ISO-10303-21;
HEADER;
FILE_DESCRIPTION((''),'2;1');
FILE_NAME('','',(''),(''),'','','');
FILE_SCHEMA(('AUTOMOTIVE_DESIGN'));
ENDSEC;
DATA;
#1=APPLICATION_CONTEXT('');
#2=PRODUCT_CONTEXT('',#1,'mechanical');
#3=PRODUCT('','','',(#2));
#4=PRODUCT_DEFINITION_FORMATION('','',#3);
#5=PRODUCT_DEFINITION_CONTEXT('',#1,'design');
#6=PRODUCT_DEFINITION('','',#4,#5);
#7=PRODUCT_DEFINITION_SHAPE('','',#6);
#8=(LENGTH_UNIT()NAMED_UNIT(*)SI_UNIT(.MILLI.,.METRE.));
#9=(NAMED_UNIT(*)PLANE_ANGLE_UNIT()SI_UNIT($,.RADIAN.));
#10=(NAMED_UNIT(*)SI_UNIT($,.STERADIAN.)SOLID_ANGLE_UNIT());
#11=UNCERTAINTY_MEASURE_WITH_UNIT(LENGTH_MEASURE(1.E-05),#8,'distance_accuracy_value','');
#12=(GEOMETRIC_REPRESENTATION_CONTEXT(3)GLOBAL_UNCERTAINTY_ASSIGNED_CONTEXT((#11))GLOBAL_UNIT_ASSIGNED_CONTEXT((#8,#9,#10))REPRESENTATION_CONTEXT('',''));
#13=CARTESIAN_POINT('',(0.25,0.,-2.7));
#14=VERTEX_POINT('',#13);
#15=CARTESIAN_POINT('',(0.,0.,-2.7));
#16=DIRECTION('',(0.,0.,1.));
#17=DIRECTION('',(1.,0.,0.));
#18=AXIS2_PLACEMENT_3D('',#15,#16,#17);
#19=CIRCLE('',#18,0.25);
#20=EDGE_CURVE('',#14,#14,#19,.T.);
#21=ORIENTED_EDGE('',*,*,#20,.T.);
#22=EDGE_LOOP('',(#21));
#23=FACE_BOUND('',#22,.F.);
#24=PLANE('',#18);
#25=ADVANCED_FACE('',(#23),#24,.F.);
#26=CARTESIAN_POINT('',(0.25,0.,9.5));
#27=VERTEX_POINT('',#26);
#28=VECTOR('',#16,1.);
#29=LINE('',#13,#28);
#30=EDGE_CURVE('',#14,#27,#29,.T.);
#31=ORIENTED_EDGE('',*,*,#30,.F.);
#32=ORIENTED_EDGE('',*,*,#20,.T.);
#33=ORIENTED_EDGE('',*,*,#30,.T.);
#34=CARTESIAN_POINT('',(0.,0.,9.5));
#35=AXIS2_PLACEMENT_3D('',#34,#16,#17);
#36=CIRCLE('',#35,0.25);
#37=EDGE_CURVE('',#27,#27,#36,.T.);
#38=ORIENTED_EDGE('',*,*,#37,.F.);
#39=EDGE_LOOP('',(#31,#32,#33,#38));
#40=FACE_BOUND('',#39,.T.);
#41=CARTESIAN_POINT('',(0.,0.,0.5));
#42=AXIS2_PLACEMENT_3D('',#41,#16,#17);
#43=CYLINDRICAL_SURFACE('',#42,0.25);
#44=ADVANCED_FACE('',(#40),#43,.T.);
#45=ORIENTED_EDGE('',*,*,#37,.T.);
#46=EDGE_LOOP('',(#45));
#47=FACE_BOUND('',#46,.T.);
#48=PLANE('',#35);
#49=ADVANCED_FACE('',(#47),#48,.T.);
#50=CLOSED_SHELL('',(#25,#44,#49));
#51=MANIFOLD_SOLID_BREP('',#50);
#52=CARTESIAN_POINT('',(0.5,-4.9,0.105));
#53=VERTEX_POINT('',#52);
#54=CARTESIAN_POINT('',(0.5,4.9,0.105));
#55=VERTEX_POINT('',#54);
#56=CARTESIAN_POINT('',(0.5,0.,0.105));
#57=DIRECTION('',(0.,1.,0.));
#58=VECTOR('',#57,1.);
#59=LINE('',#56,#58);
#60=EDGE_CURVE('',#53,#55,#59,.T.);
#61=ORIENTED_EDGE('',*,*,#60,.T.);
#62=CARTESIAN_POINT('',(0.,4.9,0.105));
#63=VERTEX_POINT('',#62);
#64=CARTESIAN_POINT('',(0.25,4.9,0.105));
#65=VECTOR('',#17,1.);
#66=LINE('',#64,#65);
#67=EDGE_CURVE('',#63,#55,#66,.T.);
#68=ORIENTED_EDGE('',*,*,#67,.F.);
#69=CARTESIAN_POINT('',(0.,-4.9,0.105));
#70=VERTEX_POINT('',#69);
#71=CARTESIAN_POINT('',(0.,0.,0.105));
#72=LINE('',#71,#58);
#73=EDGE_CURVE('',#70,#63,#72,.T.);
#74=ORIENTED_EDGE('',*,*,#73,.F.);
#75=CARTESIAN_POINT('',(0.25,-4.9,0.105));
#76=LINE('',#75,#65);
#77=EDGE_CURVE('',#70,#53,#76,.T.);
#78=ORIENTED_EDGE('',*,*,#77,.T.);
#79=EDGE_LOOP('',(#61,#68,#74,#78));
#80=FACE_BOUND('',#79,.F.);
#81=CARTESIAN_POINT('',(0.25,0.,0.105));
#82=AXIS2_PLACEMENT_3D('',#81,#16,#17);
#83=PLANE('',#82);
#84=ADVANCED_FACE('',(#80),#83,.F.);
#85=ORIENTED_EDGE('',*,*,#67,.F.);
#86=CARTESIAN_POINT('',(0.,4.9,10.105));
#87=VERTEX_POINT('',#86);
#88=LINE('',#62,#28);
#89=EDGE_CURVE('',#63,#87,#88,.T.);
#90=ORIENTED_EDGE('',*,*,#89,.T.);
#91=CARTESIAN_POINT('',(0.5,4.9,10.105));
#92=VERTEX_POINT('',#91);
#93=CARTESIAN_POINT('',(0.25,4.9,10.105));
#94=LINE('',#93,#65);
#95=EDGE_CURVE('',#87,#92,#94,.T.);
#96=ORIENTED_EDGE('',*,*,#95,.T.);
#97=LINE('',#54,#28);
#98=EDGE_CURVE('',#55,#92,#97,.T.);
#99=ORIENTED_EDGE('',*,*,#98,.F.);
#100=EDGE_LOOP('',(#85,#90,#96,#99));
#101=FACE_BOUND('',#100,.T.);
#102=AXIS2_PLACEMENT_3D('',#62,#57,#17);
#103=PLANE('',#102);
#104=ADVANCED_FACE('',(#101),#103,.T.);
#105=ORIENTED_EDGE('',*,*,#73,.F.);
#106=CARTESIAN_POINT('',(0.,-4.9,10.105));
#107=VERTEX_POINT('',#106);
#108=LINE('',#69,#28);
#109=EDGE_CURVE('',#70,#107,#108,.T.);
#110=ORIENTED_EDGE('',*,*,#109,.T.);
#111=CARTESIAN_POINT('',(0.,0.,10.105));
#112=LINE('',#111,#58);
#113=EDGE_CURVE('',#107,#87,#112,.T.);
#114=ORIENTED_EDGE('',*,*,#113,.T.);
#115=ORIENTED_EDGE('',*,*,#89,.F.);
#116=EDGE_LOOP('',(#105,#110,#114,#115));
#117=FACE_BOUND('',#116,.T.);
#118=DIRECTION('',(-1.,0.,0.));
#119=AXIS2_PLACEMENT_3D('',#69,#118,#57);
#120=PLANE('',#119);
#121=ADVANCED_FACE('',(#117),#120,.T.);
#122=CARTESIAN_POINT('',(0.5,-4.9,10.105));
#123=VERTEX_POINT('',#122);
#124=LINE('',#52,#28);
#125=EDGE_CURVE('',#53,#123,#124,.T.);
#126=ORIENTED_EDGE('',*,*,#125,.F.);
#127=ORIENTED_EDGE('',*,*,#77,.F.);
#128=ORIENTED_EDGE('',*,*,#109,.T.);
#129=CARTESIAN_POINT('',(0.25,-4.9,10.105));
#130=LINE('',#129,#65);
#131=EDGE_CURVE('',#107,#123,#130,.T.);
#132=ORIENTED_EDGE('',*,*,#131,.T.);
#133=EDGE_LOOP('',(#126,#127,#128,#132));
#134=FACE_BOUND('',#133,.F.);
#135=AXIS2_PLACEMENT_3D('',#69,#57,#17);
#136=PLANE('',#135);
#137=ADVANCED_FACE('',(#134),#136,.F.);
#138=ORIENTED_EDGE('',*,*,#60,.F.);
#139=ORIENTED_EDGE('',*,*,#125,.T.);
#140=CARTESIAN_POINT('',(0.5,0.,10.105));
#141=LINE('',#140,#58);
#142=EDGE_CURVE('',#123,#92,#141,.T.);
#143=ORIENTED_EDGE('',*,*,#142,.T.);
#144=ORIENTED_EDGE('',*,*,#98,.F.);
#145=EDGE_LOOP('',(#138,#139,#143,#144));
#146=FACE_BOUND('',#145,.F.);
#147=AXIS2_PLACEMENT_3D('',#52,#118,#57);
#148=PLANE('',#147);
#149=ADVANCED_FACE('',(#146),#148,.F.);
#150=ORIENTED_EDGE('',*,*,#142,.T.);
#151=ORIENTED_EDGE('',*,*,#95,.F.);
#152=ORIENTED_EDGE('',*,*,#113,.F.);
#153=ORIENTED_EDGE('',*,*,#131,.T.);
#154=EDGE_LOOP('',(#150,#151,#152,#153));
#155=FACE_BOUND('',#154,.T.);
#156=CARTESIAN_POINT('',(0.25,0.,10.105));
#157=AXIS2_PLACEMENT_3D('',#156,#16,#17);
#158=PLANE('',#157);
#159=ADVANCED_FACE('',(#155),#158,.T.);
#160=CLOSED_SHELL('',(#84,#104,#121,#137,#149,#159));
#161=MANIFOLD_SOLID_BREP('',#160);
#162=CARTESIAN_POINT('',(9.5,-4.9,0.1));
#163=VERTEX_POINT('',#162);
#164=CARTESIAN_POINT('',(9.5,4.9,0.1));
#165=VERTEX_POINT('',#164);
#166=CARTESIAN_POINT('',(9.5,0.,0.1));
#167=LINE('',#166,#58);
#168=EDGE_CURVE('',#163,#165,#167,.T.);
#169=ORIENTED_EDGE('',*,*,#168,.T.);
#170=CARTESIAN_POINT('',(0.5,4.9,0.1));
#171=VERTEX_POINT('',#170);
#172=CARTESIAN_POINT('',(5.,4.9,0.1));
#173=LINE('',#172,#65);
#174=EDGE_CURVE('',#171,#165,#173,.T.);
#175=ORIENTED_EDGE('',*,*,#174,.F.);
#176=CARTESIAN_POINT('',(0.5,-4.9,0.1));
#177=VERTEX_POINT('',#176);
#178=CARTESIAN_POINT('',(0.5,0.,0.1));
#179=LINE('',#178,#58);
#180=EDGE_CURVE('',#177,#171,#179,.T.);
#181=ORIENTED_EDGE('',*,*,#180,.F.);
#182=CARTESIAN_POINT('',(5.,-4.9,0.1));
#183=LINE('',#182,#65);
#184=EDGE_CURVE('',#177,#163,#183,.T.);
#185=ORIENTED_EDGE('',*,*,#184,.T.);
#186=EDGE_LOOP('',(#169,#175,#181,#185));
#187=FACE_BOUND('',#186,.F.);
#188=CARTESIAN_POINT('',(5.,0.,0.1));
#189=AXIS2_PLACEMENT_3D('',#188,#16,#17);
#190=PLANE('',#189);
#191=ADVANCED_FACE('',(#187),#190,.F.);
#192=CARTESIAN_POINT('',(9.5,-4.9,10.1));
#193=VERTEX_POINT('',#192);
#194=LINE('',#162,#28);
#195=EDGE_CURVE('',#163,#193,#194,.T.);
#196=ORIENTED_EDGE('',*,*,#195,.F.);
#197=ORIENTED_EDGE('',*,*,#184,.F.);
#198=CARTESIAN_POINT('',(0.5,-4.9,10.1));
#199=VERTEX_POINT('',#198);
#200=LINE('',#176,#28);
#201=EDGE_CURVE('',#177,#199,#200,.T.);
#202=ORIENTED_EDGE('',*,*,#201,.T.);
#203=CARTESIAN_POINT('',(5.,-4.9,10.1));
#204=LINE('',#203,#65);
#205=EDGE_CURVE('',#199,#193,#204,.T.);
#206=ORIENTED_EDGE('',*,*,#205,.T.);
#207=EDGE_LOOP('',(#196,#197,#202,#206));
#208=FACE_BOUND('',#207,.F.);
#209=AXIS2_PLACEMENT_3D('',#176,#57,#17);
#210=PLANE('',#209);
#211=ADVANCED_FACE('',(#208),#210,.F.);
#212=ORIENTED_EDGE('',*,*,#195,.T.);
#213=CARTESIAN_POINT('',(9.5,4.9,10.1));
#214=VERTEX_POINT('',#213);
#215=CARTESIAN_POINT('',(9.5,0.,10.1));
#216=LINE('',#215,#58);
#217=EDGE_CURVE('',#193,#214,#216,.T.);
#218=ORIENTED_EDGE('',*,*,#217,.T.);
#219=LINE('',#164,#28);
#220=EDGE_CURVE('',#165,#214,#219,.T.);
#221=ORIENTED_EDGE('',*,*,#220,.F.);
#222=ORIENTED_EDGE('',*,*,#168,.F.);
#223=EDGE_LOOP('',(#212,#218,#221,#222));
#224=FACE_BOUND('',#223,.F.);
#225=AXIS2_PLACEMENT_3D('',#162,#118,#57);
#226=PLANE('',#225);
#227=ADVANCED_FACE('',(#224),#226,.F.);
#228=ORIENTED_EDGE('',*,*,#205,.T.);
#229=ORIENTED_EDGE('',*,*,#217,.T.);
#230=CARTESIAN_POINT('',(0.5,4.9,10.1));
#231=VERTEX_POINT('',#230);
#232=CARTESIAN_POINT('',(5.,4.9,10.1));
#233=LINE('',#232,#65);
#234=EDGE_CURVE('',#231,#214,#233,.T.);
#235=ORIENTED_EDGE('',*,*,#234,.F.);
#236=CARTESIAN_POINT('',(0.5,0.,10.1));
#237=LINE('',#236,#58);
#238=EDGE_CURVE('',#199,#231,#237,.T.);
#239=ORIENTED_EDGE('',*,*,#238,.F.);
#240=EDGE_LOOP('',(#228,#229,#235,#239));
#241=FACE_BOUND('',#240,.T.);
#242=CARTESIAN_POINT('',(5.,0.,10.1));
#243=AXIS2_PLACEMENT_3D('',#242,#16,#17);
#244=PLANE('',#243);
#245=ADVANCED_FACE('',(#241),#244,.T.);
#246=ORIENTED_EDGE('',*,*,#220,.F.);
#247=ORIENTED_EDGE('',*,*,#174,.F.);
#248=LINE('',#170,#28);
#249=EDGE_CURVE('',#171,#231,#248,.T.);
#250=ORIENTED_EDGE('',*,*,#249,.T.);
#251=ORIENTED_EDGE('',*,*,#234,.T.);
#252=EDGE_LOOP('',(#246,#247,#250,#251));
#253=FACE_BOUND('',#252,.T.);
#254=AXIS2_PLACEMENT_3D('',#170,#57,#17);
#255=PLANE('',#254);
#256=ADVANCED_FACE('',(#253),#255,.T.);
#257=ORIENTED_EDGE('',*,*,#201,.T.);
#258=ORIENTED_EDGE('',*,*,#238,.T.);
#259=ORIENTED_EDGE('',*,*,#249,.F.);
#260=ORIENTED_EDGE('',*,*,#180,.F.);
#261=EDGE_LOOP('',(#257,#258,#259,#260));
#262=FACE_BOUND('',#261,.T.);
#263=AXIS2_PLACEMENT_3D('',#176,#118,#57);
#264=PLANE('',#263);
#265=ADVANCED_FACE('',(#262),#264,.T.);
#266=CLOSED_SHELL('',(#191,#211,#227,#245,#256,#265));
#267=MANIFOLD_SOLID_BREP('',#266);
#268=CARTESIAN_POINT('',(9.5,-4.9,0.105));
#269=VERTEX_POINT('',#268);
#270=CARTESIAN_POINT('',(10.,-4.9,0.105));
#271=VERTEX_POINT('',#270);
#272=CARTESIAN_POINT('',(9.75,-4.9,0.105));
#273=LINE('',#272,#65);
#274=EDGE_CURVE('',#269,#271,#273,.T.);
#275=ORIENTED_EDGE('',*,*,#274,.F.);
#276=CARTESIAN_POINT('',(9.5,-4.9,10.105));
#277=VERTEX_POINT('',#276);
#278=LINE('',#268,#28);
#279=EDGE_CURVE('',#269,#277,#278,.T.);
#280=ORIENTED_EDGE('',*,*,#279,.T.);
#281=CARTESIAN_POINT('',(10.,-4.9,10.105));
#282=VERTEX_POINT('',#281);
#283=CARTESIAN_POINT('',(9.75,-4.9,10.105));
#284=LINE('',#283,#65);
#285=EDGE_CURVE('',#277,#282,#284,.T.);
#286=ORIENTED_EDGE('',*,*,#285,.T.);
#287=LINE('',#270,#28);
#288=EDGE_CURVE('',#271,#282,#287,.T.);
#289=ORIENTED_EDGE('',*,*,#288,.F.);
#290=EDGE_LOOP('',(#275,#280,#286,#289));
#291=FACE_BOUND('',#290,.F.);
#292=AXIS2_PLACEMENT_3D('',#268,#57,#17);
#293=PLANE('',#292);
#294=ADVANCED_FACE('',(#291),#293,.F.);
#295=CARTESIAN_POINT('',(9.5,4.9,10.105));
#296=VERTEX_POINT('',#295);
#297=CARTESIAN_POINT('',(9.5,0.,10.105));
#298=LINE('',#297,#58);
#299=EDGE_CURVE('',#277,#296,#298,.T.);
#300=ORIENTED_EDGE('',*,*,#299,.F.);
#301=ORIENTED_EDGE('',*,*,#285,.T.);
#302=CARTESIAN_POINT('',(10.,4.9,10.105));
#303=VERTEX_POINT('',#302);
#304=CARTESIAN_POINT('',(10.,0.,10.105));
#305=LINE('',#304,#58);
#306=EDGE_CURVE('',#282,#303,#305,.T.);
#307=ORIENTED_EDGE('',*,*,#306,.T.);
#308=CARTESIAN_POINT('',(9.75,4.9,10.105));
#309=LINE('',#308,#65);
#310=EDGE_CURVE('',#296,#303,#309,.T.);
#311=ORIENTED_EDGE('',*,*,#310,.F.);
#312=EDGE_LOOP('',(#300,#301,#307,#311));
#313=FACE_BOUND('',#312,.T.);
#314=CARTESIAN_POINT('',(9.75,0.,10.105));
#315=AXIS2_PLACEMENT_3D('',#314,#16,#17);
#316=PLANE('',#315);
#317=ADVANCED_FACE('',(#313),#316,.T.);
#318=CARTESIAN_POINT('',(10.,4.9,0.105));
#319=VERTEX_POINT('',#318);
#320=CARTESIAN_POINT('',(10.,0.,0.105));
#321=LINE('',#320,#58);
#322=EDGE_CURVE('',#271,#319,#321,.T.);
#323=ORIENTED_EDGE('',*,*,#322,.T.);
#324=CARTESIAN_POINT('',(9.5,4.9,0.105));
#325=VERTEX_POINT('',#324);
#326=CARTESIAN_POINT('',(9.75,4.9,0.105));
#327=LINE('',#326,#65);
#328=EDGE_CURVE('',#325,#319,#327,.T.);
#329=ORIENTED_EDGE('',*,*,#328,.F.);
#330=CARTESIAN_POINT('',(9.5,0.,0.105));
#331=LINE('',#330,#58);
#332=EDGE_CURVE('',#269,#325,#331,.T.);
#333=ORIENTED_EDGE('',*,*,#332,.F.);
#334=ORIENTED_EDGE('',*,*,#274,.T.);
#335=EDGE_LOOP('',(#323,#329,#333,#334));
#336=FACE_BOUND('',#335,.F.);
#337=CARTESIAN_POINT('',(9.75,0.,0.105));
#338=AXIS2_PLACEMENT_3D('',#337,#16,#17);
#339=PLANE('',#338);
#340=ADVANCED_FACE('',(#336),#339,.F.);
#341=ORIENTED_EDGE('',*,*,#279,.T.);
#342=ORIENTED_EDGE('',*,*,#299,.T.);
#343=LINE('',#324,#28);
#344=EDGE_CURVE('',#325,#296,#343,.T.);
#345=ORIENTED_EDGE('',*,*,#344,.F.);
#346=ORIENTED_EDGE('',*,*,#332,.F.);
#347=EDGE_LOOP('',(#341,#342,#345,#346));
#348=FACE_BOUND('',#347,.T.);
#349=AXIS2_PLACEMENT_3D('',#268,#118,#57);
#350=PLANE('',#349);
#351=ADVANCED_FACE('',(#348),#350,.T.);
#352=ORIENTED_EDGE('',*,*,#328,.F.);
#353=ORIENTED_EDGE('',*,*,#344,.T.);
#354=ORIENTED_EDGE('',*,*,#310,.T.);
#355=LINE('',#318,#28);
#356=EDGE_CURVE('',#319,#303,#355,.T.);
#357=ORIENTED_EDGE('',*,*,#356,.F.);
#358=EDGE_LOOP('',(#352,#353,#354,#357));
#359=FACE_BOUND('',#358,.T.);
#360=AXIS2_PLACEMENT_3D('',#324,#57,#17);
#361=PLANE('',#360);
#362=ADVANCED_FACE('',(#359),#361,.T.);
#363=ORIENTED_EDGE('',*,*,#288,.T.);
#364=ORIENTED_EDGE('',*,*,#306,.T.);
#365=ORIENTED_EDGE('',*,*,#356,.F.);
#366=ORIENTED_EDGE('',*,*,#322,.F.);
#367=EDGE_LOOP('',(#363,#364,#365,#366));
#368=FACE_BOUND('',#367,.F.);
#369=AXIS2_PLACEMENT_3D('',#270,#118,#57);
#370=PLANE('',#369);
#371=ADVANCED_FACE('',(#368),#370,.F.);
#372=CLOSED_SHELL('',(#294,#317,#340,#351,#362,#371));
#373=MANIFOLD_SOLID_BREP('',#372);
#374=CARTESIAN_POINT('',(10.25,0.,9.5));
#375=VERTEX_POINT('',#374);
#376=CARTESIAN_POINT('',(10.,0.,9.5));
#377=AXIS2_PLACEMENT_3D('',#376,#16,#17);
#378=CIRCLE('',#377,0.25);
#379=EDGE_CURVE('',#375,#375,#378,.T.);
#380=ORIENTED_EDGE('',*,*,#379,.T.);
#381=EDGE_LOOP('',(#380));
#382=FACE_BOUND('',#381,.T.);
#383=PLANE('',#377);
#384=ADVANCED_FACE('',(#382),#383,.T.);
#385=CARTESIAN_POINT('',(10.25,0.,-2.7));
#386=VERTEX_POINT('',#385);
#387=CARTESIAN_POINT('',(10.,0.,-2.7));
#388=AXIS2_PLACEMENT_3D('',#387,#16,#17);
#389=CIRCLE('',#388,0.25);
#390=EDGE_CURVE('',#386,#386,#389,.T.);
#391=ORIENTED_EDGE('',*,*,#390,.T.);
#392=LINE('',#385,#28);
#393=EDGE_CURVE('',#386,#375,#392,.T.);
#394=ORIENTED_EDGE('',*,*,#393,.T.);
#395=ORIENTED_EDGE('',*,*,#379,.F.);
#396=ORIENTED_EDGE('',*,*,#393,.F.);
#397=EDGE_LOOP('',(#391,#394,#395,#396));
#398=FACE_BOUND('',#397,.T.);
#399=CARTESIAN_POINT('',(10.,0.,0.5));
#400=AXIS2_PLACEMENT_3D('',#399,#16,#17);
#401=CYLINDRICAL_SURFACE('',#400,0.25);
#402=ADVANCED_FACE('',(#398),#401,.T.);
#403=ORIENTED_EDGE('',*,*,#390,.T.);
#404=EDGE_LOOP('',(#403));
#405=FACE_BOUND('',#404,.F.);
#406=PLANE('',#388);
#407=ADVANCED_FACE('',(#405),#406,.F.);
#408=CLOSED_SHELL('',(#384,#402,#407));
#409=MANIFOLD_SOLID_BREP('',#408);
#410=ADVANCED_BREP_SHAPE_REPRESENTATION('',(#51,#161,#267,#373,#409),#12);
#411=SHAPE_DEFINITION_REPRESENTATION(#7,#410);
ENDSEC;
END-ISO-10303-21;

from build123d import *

# Parameters (mm, degrees)
SKETCH_W          = 9
SKETCH_H          = 9.8
PAD_DEPTH         = 10
SKETCH001_R       = 0.25
PAD001_DEPTH      = 9
PAD001_DEPTH_BACK = 3.2
SKETCH002_W       = 0.5
SKETCH002_H       = 9.8
PAD002_DEPTH      = 10


with BuildPart() as pad:
    # Sketch → Pad (new body)
    with BuildSketch(Plane.XY.offset(0.1)):
        with Locations((5, 0)):
            Rectangle(SKETCH_W, SKETCH_H)
    extrude(amount=PAD_DEPTH)


with BuildPart() as pad001:
    # Sketch001 → Pad001 (new body, two sides)
    with BuildSketch(Plane.XY.offset(0.5)) as pad001_sk:
        Circle(SKETCH001_R)
        with Locations((10, 0)):
            Circle(SKETCH001_R)
    extrude(amount=PAD001_DEPTH)
    extrude(pad001_sk.sketch, amount=-PAD001_DEPTH_BACK)


with BuildPart() as pad002:
    # Sketch002 → Pad002 (new body)
    with BuildSketch(Plane.XY.offset(0.105)):
        with Locations((0.25, 0)):
            Rectangle(SKETCH002_W, SKETCH002_H)
        with Locations((9.75, 0)):
            Rectangle(SKETCH002_W, SKETCH002_H)
    extrude(amount=PAD002_DEPTH)


solid = Compound([pad.part, pad001.part, pad002.part])
